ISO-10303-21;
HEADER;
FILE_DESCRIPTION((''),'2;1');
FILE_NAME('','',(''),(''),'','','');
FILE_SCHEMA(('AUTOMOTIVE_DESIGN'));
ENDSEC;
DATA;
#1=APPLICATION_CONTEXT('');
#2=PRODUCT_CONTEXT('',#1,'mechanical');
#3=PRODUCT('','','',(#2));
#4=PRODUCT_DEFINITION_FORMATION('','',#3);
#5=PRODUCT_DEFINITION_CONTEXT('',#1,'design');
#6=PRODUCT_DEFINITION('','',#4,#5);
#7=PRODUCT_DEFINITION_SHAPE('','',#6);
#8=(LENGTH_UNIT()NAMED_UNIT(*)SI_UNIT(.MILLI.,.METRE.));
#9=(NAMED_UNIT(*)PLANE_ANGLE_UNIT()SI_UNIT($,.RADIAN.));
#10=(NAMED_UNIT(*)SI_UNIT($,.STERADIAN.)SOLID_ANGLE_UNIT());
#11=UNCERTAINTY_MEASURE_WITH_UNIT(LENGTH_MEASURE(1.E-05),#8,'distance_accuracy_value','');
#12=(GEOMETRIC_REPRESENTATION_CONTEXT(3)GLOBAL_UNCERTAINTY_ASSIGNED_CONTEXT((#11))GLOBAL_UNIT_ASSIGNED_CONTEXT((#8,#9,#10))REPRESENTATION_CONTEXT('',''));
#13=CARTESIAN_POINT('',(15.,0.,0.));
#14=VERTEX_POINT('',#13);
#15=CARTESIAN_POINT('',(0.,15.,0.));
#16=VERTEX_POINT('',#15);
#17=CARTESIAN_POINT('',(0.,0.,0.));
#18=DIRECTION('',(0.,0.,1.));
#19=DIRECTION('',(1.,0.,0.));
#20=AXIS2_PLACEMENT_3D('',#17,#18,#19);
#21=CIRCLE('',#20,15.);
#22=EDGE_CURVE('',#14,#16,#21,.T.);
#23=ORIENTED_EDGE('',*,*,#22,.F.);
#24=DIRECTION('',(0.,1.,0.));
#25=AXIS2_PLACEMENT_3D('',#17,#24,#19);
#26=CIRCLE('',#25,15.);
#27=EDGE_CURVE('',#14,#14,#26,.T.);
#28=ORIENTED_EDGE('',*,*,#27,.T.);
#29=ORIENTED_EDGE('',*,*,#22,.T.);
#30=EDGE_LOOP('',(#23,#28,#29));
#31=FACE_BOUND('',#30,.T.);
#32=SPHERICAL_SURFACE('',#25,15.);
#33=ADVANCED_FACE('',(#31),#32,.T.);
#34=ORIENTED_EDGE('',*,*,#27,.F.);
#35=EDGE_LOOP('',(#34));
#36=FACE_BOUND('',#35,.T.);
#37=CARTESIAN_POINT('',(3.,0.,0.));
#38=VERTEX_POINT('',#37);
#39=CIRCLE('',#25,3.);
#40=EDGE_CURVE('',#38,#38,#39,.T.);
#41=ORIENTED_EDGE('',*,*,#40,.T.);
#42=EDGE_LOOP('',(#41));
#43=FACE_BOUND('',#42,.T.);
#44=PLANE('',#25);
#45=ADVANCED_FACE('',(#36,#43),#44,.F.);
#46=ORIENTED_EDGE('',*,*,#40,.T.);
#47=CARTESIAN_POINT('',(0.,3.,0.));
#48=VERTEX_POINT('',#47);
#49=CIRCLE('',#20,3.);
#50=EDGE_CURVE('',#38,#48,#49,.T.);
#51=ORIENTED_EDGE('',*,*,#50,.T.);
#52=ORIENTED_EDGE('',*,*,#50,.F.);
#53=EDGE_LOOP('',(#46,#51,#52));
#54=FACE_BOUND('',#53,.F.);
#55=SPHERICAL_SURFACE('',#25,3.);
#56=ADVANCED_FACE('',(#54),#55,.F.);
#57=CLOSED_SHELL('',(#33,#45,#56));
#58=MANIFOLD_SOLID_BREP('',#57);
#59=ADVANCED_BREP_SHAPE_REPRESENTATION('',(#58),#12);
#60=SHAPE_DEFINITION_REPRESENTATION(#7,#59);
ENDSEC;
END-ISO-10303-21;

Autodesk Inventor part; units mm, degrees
ref_plane "YZ Plane" through (0, 0, 0) normal (1, 0, 0) x (0, 1, 0)
ref_plane "XZ Plane" through (0, 0, 0) normal (0, 1, 0) x (-1, 0, 0)
ref_plane "XY Plane" through (0, 0, 0) normal (0, 0, 1) x (1, 0, 0)
sketch "Sketch1" plane through (0, 0, 0) normal (0, 0, 1) x (1, 0, 0)
  line L0 (0, 0) -> (0, 15)
  line L1 (0, 0) -> (15, 0)
  arc A0 (15, 0) -> (0, 15) centre (0, 0) ccw
  line L2 (0, -3.6213) -> (0, 21.7279) projected
  dimension "d2" = 15
revolve "Revolution1" add sketch "Sketch1" angle 360 about axis through (0, -10, 0) along (0, 1, 0)
shell "Shell2" thickness 12 removed faces 1 at (4.7094, 0, 0)
properties part number "Ball_Half Sphere 5" material "ABS Plastic"
